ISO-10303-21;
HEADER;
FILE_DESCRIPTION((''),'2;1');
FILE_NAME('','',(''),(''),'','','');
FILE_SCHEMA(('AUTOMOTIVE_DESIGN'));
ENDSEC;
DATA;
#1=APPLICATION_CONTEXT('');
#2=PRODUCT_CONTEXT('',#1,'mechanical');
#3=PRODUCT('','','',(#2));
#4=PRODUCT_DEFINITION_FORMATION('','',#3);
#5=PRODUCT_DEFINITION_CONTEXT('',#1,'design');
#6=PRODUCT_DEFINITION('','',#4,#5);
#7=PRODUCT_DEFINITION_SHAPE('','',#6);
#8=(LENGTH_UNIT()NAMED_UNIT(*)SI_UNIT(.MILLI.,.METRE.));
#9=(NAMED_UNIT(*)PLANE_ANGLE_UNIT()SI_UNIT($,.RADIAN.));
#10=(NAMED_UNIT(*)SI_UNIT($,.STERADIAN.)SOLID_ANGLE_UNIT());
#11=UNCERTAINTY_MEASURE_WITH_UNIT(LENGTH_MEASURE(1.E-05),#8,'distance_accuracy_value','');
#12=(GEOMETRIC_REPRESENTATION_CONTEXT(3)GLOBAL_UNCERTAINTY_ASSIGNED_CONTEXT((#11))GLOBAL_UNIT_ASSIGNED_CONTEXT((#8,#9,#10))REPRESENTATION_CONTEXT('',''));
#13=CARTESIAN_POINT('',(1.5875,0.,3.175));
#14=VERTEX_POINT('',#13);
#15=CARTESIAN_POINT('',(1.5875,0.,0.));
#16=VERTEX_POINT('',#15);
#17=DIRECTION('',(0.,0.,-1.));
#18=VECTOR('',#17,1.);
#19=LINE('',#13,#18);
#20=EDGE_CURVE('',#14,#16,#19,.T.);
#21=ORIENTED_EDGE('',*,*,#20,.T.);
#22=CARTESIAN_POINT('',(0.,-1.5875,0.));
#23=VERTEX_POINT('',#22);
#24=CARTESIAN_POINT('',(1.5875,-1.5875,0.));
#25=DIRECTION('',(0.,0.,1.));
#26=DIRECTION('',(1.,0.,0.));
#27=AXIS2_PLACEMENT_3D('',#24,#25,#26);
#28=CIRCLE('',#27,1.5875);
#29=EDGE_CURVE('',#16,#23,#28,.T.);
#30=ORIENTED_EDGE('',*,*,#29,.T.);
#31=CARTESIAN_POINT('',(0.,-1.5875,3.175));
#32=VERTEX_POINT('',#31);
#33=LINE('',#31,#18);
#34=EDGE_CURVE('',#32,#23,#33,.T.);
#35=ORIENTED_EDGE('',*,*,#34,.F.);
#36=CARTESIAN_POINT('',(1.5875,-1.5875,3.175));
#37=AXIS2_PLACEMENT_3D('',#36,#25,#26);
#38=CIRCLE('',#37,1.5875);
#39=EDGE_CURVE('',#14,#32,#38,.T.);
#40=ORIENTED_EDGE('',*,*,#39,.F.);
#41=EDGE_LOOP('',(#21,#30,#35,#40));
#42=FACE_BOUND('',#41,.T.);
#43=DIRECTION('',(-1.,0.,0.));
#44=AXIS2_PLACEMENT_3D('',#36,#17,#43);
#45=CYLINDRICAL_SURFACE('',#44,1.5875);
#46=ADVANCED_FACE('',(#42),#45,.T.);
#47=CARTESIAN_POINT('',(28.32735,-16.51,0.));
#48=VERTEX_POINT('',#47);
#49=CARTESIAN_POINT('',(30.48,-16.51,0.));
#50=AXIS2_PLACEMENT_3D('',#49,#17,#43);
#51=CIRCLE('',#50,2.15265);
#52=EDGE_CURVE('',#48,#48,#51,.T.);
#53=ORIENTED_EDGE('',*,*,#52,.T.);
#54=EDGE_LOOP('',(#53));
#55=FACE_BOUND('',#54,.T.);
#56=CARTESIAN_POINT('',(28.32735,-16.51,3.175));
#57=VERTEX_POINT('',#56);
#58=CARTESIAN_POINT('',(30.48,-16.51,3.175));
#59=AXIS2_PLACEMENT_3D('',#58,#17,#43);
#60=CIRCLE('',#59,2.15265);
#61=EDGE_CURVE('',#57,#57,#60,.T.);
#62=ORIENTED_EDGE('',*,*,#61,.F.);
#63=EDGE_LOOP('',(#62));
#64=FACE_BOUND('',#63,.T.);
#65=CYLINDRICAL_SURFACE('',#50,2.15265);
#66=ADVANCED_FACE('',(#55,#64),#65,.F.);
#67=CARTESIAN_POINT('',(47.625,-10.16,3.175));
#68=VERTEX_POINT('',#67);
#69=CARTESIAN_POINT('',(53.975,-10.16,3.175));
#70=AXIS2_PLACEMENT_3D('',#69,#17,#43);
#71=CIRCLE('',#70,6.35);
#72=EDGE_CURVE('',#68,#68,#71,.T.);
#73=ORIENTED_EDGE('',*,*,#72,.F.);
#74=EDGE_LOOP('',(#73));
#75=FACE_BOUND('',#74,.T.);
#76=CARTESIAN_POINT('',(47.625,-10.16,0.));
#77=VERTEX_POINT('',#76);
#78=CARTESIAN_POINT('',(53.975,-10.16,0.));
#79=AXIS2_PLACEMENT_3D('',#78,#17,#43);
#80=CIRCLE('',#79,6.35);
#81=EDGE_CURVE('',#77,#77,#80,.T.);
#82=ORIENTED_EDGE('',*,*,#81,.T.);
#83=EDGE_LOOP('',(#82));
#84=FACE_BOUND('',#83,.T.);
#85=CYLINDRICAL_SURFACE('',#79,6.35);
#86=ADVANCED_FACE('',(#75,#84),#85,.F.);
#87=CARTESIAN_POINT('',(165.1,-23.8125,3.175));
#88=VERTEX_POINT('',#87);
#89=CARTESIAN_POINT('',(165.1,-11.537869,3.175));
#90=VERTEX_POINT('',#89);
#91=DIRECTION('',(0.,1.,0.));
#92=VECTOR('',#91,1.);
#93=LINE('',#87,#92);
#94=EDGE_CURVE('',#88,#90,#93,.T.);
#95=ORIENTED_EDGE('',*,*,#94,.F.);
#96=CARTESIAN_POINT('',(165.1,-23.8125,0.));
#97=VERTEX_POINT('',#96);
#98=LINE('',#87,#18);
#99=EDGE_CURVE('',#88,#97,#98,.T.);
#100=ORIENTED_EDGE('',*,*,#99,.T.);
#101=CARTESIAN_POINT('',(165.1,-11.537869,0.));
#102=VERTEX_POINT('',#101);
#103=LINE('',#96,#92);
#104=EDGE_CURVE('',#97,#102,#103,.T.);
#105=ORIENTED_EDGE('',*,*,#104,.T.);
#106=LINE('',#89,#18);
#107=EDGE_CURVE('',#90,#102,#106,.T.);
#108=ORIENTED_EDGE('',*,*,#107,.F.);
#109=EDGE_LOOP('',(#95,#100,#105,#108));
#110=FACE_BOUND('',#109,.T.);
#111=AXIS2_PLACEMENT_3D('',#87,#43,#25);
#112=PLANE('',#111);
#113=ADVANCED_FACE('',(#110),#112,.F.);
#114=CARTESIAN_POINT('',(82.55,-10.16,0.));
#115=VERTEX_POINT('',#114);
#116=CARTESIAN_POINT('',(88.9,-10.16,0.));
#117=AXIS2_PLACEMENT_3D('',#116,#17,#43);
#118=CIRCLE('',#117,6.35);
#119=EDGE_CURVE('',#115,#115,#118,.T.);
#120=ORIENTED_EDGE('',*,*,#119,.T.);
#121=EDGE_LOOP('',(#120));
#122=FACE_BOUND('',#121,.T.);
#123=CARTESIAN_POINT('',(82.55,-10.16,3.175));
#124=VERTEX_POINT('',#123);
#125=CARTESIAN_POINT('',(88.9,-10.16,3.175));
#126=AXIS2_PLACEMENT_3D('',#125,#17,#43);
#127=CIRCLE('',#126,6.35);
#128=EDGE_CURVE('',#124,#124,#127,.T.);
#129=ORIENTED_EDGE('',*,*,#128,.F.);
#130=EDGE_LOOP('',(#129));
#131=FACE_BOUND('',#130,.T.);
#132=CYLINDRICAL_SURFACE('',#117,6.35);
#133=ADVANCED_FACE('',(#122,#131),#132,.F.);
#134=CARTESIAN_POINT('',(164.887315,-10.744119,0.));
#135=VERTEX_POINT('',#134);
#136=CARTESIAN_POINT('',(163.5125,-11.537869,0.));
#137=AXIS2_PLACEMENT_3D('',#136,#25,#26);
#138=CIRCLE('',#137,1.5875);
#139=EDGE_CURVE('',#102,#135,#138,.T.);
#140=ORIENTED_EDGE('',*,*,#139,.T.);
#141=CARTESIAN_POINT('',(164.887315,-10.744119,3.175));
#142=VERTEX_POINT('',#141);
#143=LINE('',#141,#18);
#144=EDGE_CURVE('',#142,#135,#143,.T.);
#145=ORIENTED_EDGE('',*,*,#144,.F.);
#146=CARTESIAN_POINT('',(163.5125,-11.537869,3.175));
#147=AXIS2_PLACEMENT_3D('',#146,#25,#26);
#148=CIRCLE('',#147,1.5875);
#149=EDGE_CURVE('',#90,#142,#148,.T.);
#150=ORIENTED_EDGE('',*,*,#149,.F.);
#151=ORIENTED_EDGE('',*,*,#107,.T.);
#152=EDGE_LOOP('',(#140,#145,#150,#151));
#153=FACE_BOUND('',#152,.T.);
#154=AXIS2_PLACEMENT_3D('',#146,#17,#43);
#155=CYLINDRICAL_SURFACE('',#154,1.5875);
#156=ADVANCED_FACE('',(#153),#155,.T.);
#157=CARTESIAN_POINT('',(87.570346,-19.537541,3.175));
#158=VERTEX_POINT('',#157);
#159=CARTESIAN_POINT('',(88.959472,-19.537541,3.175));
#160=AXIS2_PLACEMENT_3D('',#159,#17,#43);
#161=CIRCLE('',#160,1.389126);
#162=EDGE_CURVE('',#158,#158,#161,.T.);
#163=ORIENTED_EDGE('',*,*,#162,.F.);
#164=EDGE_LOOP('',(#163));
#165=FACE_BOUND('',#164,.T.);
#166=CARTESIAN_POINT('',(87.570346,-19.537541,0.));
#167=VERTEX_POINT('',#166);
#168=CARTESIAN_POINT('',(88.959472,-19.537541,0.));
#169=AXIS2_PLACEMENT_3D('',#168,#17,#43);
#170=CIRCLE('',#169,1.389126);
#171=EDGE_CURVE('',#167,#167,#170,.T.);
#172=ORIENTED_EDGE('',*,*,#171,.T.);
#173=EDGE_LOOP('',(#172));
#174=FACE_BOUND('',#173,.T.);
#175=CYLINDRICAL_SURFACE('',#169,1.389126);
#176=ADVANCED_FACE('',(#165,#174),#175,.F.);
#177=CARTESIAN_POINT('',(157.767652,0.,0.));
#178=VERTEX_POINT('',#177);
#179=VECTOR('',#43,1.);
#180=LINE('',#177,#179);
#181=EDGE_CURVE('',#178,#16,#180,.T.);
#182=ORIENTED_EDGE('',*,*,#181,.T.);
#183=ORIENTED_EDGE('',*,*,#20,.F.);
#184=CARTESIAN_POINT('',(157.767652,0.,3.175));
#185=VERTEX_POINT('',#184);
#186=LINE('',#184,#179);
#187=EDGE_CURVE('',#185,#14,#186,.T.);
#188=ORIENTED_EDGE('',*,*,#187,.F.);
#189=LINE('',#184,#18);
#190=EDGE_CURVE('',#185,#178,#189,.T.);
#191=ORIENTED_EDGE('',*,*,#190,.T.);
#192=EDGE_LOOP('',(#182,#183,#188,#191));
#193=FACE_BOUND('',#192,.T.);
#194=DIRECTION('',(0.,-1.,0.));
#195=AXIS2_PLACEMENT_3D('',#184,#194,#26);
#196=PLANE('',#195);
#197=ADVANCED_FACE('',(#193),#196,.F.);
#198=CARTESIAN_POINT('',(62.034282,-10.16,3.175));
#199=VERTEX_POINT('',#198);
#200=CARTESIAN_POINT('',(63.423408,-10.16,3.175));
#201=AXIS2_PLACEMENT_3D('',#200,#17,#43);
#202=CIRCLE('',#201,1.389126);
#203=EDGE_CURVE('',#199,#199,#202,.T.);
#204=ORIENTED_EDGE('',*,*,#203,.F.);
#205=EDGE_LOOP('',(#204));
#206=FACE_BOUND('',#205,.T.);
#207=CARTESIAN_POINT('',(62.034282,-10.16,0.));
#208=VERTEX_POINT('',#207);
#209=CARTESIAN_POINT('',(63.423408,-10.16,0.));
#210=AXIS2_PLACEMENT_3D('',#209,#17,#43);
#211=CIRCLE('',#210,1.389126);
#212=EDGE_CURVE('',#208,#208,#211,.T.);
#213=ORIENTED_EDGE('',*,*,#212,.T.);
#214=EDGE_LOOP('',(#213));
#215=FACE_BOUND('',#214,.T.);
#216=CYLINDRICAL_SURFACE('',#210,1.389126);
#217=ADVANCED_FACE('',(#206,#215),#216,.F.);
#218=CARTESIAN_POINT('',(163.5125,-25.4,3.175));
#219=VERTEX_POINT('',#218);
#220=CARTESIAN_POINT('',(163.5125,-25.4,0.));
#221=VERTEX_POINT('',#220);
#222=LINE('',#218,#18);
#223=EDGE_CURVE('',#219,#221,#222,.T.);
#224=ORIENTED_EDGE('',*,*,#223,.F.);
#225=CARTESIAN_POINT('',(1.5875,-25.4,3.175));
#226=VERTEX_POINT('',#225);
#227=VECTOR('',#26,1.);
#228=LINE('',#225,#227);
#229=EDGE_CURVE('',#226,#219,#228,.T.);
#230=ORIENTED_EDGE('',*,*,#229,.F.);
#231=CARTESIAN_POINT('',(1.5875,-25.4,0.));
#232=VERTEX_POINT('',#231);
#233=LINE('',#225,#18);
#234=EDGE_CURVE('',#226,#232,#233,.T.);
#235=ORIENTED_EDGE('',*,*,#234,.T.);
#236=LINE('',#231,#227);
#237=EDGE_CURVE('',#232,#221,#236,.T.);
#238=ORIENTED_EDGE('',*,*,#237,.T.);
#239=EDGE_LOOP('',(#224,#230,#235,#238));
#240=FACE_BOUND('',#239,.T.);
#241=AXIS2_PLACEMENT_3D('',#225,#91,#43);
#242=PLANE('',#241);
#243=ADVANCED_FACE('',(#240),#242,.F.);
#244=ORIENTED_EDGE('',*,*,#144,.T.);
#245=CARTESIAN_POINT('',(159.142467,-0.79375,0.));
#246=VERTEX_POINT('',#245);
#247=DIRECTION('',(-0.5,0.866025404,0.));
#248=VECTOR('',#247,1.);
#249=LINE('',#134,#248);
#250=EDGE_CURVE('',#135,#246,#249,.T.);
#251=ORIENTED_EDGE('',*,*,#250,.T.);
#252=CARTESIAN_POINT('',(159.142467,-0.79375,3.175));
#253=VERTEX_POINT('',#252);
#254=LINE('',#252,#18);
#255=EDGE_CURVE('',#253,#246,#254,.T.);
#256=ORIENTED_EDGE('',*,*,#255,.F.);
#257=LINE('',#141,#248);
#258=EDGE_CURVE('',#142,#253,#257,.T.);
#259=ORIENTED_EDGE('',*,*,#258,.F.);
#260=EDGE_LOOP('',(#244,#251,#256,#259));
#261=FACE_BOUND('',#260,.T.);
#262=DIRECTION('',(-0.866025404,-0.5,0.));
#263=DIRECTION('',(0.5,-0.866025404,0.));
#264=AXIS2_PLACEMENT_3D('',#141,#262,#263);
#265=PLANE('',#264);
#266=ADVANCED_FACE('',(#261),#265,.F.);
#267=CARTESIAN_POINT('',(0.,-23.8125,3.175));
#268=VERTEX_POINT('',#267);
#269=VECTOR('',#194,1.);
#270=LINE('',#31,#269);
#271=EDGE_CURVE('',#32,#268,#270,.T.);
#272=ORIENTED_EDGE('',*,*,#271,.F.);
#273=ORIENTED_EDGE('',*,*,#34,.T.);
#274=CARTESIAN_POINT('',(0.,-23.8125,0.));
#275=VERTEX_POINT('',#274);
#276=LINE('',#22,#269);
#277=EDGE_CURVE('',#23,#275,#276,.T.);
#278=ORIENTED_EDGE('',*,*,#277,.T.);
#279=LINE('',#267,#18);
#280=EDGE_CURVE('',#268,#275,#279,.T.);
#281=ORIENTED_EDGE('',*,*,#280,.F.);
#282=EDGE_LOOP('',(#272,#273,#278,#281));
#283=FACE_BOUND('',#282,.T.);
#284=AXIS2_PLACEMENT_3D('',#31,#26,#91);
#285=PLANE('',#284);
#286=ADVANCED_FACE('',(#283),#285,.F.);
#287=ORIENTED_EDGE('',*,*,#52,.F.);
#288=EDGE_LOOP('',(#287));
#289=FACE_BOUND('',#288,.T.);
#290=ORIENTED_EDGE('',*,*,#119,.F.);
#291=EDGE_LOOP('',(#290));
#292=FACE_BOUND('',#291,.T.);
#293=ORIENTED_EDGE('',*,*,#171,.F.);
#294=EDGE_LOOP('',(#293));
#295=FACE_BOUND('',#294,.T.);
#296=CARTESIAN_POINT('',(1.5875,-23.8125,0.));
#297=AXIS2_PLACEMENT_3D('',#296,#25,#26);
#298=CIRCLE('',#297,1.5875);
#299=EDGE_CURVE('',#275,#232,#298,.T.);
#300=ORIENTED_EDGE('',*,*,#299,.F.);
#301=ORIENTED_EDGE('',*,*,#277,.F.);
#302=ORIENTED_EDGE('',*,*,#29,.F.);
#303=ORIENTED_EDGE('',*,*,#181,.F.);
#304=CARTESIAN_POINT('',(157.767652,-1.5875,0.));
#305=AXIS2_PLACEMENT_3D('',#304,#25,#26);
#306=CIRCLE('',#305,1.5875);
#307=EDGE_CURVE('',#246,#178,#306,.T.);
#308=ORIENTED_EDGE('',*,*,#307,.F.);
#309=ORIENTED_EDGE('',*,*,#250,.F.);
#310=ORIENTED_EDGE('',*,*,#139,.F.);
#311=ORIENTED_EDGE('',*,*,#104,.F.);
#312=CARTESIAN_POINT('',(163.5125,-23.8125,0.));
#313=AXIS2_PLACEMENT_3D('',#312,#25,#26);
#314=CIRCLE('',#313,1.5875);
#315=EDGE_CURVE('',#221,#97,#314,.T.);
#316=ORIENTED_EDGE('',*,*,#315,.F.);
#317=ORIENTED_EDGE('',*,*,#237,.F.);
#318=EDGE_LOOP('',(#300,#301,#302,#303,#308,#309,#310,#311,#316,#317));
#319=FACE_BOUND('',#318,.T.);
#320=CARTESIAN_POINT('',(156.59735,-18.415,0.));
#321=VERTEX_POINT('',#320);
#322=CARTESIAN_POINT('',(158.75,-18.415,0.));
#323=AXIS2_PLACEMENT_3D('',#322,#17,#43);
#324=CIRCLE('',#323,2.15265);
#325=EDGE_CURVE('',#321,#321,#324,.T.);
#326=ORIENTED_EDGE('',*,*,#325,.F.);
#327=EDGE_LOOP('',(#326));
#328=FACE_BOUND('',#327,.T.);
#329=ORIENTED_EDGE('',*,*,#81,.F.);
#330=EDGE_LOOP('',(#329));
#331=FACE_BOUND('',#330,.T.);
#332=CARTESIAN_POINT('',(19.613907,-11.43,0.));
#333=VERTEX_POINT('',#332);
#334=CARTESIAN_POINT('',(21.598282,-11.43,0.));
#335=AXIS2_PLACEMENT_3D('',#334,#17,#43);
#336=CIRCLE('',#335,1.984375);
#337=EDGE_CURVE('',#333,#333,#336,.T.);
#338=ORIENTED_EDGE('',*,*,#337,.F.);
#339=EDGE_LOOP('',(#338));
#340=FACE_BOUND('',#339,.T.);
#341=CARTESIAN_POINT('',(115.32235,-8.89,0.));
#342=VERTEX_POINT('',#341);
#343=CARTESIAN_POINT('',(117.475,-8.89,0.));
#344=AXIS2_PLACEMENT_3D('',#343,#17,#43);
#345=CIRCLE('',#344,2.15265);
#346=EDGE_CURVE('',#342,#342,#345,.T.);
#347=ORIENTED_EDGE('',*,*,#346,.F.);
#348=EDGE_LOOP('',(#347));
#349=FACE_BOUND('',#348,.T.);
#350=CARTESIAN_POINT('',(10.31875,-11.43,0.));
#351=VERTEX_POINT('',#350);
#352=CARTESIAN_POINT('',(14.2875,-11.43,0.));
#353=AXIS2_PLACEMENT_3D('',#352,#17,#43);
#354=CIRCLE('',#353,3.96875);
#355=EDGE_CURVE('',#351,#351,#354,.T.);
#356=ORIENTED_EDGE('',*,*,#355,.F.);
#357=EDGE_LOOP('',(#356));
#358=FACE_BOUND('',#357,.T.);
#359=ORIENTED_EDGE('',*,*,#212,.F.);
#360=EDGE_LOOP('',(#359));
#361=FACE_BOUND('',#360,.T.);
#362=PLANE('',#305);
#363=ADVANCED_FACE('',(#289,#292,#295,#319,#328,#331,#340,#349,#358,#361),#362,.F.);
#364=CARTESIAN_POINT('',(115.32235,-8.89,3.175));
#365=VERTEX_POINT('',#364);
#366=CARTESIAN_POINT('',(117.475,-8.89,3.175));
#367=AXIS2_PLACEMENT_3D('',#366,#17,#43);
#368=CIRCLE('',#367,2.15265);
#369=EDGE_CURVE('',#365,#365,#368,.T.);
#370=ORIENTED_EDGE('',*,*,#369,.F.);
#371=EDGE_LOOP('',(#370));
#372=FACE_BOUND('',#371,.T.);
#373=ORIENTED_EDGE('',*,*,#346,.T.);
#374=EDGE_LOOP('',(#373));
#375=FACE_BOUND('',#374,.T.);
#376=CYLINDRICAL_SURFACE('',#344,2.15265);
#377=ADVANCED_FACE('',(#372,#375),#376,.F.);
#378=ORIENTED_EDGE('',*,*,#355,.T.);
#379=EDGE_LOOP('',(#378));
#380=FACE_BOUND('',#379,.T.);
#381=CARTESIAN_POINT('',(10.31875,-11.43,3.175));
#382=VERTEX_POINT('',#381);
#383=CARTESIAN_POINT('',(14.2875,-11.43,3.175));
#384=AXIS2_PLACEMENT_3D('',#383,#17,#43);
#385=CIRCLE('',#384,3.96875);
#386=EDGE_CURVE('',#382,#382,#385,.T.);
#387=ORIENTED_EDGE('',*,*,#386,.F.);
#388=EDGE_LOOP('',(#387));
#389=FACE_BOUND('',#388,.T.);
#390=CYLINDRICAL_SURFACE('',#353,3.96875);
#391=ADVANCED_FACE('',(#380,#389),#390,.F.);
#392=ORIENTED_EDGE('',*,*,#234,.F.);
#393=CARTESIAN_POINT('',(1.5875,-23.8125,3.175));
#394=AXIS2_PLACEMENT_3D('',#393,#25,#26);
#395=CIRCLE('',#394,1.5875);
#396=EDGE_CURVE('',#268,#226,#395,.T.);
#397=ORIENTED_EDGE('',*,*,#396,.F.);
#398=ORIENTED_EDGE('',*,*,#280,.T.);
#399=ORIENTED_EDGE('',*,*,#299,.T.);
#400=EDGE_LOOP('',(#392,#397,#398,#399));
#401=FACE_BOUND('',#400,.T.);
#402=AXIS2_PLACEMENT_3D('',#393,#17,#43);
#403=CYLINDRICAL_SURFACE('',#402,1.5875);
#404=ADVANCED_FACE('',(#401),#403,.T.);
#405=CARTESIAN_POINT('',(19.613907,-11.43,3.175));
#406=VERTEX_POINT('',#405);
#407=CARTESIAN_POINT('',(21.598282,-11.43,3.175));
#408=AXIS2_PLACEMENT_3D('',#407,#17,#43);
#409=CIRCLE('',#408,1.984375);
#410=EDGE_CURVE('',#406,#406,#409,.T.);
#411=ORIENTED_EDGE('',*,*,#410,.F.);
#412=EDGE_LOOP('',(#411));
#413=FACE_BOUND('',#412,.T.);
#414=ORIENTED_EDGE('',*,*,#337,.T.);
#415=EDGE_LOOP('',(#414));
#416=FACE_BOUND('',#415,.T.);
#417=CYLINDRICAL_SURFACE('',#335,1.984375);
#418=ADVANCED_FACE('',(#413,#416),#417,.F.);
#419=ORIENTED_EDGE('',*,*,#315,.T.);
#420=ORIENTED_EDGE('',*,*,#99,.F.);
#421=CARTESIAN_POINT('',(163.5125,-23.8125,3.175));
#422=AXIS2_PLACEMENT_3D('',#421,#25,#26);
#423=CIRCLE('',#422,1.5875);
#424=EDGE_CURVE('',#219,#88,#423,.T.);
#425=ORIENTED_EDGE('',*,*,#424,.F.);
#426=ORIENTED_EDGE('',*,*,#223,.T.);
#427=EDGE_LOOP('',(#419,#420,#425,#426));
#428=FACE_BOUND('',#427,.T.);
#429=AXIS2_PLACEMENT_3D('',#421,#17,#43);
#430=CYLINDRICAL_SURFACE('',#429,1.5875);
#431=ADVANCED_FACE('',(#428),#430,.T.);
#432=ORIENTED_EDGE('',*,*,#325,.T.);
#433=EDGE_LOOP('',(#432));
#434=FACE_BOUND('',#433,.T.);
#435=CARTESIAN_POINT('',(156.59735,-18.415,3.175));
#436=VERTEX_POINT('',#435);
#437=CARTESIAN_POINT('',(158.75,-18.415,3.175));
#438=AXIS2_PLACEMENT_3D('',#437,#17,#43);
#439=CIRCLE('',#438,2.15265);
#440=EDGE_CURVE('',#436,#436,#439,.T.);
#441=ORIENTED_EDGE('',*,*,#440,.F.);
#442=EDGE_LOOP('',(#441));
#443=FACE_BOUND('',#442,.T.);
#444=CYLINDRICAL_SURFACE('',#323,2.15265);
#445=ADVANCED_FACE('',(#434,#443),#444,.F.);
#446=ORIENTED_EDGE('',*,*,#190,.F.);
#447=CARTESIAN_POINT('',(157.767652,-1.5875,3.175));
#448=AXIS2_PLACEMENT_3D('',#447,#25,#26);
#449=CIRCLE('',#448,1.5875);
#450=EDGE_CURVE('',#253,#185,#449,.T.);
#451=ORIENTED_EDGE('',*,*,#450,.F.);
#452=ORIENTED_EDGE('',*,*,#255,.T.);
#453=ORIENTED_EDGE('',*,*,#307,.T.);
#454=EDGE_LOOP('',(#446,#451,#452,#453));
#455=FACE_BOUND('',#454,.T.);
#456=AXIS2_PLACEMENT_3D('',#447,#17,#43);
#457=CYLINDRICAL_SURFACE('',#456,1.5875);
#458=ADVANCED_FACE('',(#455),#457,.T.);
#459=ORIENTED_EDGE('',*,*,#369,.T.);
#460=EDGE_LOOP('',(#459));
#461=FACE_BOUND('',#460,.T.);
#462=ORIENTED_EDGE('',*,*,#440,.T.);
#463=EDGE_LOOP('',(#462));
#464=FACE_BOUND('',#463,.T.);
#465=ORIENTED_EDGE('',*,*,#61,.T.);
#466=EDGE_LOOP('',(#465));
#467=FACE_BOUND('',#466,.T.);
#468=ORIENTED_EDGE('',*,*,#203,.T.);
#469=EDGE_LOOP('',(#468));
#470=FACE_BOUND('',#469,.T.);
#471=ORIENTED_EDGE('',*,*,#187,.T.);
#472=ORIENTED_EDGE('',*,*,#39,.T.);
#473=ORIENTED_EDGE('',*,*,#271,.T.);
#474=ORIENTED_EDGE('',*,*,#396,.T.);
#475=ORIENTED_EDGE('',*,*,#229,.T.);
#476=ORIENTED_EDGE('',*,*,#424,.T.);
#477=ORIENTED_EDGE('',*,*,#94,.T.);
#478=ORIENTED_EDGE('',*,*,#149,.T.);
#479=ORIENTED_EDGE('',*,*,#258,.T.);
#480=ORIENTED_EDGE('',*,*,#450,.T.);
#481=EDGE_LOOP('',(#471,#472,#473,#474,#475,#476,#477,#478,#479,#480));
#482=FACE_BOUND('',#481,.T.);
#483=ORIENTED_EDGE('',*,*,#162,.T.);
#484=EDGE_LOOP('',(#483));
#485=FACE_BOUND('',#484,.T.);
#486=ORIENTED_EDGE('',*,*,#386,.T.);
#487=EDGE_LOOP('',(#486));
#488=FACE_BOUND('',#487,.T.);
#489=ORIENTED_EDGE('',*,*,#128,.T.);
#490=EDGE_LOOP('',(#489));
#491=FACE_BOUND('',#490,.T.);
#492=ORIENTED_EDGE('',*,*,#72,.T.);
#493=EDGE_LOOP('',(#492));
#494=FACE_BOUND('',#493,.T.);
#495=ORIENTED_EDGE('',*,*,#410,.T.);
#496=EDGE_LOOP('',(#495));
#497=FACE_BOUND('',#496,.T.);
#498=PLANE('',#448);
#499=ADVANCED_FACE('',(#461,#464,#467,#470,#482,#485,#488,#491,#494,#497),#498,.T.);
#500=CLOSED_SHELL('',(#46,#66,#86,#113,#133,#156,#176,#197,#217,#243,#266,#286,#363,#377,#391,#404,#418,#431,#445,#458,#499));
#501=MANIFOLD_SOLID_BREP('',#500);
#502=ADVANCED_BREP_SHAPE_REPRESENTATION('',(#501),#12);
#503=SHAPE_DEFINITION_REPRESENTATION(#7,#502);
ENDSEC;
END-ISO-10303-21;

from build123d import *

# Parameters (mm, degrees)
BOSS_EXTRUDE1_DEPTH             = 3.175
F_1_2_0_5_DIAMETER_HOLE1_D      = 12.7
F_5_16_0_3125_DIAMETER_HOLE1_D  = 7.9375
F_5_32_0_15625_DIAMETER_HOLE1_D = 3.96875
F_7_64_0_10938_DIAMETER_HOLE1_D = 2.778252
F_6_CLEARANCE_HOLE1_D           = 4.3053


with BuildPart() as part:
    # Sketch1 → Boss-Extrude1 (new body)
    with BuildSketch(Plane.XY):
        with BuildLine():
            Line((157.767651581, 0), (1.5875, 0))
            ThreePointArc((1.5875, 0), (0.464967985, -0.464967985), (0, -1.5875))
            Line((0, -1.5875), (0, -23.8125))
            ThreePointArc((0, -23.8125), (0.464967985, -24.935032015), (1.5875, -25.4))
            Line((1.5875, -25.4), (163.5125, -25.4))
            ThreePointArc((163.5125, -25.4), (164.635032015, -24.935032015), (165.1, -23.8125))
            Line((165.1, -23.8125), (165.1, -11.537869343))
            ThreePointArc((165.1, -11.537869343), (165.045907249, -11.126994109), (164.887315329, -10.744119343))
            Line((164.887315329, -10.744119343), (159.14246691, -0.79375))
            ThreePointArc((159.14246691, -0.79375), (158.561401581, -0.212684671), (157.767651581, 0))
        make_face()
    extrude(amount=BOSS_EXTRUDE1_DEPTH)

    # 1/2 (0.5) Diameter Hole1 (through all)
    with Locations(Plane(origin=(0, 0, 0), x_dir=(-1, 0, 0), z_dir=(0, 0, -1))):
        with Locations((-53.975, -10.16), (-88.9, -10.16)):
            Hole(F_1_2_0_5_DIAMETER_HOLE1_D / 2)

    # 5/16 (0.3125) Diameter Hole1 (through all)
    with Locations(Plane(origin=(0, 0, 0), x_dir=(-1, 0, 0), z_dir=(0, 0, -1))):
        with Locations((-14.2875, -11.43)):
            Hole(F_5_16_0_3125_DIAMETER_HOLE1_D / 2)

    # 5/32 (0.15625) Diameter Hole1 (through all)
    with Locations(Plane(origin=(0, 0, 0), x_dir=(-1, 0, 0), z_dir=(0, 0, -1))):
        with Locations((-21.598282462, -11.43)):
            Hole(F_5_32_0_15625_DIAMETER_HOLE1_D / 2)

    # 7/64 (0.10938) Diameter Hole1 (through all)
    with Locations(Plane(origin=(0, 0, 0), x_dir=(-1, 0, 0), z_dir=(0, 0, -1))):
        with Locations((-88.959471598, -19.537541197), (-63.423407807, -10.16)):
            Hole(F_7_64_0_10938_DIAMETER_HOLE1_D / 2)

    # #6 Clearance Hole1 (through all)
    with Locations(Plane(origin=(0, 0, 0), x_dir=(-1, 0, 0), z_dir=(0, 0, -1))):
        with Locations((-158.75, -18.415), (-117.475, -8.89), (-30.48, -16.51)):
            Hole(F_6_CLEARANCE_HOLE1_D / 2)


solid = part.part
